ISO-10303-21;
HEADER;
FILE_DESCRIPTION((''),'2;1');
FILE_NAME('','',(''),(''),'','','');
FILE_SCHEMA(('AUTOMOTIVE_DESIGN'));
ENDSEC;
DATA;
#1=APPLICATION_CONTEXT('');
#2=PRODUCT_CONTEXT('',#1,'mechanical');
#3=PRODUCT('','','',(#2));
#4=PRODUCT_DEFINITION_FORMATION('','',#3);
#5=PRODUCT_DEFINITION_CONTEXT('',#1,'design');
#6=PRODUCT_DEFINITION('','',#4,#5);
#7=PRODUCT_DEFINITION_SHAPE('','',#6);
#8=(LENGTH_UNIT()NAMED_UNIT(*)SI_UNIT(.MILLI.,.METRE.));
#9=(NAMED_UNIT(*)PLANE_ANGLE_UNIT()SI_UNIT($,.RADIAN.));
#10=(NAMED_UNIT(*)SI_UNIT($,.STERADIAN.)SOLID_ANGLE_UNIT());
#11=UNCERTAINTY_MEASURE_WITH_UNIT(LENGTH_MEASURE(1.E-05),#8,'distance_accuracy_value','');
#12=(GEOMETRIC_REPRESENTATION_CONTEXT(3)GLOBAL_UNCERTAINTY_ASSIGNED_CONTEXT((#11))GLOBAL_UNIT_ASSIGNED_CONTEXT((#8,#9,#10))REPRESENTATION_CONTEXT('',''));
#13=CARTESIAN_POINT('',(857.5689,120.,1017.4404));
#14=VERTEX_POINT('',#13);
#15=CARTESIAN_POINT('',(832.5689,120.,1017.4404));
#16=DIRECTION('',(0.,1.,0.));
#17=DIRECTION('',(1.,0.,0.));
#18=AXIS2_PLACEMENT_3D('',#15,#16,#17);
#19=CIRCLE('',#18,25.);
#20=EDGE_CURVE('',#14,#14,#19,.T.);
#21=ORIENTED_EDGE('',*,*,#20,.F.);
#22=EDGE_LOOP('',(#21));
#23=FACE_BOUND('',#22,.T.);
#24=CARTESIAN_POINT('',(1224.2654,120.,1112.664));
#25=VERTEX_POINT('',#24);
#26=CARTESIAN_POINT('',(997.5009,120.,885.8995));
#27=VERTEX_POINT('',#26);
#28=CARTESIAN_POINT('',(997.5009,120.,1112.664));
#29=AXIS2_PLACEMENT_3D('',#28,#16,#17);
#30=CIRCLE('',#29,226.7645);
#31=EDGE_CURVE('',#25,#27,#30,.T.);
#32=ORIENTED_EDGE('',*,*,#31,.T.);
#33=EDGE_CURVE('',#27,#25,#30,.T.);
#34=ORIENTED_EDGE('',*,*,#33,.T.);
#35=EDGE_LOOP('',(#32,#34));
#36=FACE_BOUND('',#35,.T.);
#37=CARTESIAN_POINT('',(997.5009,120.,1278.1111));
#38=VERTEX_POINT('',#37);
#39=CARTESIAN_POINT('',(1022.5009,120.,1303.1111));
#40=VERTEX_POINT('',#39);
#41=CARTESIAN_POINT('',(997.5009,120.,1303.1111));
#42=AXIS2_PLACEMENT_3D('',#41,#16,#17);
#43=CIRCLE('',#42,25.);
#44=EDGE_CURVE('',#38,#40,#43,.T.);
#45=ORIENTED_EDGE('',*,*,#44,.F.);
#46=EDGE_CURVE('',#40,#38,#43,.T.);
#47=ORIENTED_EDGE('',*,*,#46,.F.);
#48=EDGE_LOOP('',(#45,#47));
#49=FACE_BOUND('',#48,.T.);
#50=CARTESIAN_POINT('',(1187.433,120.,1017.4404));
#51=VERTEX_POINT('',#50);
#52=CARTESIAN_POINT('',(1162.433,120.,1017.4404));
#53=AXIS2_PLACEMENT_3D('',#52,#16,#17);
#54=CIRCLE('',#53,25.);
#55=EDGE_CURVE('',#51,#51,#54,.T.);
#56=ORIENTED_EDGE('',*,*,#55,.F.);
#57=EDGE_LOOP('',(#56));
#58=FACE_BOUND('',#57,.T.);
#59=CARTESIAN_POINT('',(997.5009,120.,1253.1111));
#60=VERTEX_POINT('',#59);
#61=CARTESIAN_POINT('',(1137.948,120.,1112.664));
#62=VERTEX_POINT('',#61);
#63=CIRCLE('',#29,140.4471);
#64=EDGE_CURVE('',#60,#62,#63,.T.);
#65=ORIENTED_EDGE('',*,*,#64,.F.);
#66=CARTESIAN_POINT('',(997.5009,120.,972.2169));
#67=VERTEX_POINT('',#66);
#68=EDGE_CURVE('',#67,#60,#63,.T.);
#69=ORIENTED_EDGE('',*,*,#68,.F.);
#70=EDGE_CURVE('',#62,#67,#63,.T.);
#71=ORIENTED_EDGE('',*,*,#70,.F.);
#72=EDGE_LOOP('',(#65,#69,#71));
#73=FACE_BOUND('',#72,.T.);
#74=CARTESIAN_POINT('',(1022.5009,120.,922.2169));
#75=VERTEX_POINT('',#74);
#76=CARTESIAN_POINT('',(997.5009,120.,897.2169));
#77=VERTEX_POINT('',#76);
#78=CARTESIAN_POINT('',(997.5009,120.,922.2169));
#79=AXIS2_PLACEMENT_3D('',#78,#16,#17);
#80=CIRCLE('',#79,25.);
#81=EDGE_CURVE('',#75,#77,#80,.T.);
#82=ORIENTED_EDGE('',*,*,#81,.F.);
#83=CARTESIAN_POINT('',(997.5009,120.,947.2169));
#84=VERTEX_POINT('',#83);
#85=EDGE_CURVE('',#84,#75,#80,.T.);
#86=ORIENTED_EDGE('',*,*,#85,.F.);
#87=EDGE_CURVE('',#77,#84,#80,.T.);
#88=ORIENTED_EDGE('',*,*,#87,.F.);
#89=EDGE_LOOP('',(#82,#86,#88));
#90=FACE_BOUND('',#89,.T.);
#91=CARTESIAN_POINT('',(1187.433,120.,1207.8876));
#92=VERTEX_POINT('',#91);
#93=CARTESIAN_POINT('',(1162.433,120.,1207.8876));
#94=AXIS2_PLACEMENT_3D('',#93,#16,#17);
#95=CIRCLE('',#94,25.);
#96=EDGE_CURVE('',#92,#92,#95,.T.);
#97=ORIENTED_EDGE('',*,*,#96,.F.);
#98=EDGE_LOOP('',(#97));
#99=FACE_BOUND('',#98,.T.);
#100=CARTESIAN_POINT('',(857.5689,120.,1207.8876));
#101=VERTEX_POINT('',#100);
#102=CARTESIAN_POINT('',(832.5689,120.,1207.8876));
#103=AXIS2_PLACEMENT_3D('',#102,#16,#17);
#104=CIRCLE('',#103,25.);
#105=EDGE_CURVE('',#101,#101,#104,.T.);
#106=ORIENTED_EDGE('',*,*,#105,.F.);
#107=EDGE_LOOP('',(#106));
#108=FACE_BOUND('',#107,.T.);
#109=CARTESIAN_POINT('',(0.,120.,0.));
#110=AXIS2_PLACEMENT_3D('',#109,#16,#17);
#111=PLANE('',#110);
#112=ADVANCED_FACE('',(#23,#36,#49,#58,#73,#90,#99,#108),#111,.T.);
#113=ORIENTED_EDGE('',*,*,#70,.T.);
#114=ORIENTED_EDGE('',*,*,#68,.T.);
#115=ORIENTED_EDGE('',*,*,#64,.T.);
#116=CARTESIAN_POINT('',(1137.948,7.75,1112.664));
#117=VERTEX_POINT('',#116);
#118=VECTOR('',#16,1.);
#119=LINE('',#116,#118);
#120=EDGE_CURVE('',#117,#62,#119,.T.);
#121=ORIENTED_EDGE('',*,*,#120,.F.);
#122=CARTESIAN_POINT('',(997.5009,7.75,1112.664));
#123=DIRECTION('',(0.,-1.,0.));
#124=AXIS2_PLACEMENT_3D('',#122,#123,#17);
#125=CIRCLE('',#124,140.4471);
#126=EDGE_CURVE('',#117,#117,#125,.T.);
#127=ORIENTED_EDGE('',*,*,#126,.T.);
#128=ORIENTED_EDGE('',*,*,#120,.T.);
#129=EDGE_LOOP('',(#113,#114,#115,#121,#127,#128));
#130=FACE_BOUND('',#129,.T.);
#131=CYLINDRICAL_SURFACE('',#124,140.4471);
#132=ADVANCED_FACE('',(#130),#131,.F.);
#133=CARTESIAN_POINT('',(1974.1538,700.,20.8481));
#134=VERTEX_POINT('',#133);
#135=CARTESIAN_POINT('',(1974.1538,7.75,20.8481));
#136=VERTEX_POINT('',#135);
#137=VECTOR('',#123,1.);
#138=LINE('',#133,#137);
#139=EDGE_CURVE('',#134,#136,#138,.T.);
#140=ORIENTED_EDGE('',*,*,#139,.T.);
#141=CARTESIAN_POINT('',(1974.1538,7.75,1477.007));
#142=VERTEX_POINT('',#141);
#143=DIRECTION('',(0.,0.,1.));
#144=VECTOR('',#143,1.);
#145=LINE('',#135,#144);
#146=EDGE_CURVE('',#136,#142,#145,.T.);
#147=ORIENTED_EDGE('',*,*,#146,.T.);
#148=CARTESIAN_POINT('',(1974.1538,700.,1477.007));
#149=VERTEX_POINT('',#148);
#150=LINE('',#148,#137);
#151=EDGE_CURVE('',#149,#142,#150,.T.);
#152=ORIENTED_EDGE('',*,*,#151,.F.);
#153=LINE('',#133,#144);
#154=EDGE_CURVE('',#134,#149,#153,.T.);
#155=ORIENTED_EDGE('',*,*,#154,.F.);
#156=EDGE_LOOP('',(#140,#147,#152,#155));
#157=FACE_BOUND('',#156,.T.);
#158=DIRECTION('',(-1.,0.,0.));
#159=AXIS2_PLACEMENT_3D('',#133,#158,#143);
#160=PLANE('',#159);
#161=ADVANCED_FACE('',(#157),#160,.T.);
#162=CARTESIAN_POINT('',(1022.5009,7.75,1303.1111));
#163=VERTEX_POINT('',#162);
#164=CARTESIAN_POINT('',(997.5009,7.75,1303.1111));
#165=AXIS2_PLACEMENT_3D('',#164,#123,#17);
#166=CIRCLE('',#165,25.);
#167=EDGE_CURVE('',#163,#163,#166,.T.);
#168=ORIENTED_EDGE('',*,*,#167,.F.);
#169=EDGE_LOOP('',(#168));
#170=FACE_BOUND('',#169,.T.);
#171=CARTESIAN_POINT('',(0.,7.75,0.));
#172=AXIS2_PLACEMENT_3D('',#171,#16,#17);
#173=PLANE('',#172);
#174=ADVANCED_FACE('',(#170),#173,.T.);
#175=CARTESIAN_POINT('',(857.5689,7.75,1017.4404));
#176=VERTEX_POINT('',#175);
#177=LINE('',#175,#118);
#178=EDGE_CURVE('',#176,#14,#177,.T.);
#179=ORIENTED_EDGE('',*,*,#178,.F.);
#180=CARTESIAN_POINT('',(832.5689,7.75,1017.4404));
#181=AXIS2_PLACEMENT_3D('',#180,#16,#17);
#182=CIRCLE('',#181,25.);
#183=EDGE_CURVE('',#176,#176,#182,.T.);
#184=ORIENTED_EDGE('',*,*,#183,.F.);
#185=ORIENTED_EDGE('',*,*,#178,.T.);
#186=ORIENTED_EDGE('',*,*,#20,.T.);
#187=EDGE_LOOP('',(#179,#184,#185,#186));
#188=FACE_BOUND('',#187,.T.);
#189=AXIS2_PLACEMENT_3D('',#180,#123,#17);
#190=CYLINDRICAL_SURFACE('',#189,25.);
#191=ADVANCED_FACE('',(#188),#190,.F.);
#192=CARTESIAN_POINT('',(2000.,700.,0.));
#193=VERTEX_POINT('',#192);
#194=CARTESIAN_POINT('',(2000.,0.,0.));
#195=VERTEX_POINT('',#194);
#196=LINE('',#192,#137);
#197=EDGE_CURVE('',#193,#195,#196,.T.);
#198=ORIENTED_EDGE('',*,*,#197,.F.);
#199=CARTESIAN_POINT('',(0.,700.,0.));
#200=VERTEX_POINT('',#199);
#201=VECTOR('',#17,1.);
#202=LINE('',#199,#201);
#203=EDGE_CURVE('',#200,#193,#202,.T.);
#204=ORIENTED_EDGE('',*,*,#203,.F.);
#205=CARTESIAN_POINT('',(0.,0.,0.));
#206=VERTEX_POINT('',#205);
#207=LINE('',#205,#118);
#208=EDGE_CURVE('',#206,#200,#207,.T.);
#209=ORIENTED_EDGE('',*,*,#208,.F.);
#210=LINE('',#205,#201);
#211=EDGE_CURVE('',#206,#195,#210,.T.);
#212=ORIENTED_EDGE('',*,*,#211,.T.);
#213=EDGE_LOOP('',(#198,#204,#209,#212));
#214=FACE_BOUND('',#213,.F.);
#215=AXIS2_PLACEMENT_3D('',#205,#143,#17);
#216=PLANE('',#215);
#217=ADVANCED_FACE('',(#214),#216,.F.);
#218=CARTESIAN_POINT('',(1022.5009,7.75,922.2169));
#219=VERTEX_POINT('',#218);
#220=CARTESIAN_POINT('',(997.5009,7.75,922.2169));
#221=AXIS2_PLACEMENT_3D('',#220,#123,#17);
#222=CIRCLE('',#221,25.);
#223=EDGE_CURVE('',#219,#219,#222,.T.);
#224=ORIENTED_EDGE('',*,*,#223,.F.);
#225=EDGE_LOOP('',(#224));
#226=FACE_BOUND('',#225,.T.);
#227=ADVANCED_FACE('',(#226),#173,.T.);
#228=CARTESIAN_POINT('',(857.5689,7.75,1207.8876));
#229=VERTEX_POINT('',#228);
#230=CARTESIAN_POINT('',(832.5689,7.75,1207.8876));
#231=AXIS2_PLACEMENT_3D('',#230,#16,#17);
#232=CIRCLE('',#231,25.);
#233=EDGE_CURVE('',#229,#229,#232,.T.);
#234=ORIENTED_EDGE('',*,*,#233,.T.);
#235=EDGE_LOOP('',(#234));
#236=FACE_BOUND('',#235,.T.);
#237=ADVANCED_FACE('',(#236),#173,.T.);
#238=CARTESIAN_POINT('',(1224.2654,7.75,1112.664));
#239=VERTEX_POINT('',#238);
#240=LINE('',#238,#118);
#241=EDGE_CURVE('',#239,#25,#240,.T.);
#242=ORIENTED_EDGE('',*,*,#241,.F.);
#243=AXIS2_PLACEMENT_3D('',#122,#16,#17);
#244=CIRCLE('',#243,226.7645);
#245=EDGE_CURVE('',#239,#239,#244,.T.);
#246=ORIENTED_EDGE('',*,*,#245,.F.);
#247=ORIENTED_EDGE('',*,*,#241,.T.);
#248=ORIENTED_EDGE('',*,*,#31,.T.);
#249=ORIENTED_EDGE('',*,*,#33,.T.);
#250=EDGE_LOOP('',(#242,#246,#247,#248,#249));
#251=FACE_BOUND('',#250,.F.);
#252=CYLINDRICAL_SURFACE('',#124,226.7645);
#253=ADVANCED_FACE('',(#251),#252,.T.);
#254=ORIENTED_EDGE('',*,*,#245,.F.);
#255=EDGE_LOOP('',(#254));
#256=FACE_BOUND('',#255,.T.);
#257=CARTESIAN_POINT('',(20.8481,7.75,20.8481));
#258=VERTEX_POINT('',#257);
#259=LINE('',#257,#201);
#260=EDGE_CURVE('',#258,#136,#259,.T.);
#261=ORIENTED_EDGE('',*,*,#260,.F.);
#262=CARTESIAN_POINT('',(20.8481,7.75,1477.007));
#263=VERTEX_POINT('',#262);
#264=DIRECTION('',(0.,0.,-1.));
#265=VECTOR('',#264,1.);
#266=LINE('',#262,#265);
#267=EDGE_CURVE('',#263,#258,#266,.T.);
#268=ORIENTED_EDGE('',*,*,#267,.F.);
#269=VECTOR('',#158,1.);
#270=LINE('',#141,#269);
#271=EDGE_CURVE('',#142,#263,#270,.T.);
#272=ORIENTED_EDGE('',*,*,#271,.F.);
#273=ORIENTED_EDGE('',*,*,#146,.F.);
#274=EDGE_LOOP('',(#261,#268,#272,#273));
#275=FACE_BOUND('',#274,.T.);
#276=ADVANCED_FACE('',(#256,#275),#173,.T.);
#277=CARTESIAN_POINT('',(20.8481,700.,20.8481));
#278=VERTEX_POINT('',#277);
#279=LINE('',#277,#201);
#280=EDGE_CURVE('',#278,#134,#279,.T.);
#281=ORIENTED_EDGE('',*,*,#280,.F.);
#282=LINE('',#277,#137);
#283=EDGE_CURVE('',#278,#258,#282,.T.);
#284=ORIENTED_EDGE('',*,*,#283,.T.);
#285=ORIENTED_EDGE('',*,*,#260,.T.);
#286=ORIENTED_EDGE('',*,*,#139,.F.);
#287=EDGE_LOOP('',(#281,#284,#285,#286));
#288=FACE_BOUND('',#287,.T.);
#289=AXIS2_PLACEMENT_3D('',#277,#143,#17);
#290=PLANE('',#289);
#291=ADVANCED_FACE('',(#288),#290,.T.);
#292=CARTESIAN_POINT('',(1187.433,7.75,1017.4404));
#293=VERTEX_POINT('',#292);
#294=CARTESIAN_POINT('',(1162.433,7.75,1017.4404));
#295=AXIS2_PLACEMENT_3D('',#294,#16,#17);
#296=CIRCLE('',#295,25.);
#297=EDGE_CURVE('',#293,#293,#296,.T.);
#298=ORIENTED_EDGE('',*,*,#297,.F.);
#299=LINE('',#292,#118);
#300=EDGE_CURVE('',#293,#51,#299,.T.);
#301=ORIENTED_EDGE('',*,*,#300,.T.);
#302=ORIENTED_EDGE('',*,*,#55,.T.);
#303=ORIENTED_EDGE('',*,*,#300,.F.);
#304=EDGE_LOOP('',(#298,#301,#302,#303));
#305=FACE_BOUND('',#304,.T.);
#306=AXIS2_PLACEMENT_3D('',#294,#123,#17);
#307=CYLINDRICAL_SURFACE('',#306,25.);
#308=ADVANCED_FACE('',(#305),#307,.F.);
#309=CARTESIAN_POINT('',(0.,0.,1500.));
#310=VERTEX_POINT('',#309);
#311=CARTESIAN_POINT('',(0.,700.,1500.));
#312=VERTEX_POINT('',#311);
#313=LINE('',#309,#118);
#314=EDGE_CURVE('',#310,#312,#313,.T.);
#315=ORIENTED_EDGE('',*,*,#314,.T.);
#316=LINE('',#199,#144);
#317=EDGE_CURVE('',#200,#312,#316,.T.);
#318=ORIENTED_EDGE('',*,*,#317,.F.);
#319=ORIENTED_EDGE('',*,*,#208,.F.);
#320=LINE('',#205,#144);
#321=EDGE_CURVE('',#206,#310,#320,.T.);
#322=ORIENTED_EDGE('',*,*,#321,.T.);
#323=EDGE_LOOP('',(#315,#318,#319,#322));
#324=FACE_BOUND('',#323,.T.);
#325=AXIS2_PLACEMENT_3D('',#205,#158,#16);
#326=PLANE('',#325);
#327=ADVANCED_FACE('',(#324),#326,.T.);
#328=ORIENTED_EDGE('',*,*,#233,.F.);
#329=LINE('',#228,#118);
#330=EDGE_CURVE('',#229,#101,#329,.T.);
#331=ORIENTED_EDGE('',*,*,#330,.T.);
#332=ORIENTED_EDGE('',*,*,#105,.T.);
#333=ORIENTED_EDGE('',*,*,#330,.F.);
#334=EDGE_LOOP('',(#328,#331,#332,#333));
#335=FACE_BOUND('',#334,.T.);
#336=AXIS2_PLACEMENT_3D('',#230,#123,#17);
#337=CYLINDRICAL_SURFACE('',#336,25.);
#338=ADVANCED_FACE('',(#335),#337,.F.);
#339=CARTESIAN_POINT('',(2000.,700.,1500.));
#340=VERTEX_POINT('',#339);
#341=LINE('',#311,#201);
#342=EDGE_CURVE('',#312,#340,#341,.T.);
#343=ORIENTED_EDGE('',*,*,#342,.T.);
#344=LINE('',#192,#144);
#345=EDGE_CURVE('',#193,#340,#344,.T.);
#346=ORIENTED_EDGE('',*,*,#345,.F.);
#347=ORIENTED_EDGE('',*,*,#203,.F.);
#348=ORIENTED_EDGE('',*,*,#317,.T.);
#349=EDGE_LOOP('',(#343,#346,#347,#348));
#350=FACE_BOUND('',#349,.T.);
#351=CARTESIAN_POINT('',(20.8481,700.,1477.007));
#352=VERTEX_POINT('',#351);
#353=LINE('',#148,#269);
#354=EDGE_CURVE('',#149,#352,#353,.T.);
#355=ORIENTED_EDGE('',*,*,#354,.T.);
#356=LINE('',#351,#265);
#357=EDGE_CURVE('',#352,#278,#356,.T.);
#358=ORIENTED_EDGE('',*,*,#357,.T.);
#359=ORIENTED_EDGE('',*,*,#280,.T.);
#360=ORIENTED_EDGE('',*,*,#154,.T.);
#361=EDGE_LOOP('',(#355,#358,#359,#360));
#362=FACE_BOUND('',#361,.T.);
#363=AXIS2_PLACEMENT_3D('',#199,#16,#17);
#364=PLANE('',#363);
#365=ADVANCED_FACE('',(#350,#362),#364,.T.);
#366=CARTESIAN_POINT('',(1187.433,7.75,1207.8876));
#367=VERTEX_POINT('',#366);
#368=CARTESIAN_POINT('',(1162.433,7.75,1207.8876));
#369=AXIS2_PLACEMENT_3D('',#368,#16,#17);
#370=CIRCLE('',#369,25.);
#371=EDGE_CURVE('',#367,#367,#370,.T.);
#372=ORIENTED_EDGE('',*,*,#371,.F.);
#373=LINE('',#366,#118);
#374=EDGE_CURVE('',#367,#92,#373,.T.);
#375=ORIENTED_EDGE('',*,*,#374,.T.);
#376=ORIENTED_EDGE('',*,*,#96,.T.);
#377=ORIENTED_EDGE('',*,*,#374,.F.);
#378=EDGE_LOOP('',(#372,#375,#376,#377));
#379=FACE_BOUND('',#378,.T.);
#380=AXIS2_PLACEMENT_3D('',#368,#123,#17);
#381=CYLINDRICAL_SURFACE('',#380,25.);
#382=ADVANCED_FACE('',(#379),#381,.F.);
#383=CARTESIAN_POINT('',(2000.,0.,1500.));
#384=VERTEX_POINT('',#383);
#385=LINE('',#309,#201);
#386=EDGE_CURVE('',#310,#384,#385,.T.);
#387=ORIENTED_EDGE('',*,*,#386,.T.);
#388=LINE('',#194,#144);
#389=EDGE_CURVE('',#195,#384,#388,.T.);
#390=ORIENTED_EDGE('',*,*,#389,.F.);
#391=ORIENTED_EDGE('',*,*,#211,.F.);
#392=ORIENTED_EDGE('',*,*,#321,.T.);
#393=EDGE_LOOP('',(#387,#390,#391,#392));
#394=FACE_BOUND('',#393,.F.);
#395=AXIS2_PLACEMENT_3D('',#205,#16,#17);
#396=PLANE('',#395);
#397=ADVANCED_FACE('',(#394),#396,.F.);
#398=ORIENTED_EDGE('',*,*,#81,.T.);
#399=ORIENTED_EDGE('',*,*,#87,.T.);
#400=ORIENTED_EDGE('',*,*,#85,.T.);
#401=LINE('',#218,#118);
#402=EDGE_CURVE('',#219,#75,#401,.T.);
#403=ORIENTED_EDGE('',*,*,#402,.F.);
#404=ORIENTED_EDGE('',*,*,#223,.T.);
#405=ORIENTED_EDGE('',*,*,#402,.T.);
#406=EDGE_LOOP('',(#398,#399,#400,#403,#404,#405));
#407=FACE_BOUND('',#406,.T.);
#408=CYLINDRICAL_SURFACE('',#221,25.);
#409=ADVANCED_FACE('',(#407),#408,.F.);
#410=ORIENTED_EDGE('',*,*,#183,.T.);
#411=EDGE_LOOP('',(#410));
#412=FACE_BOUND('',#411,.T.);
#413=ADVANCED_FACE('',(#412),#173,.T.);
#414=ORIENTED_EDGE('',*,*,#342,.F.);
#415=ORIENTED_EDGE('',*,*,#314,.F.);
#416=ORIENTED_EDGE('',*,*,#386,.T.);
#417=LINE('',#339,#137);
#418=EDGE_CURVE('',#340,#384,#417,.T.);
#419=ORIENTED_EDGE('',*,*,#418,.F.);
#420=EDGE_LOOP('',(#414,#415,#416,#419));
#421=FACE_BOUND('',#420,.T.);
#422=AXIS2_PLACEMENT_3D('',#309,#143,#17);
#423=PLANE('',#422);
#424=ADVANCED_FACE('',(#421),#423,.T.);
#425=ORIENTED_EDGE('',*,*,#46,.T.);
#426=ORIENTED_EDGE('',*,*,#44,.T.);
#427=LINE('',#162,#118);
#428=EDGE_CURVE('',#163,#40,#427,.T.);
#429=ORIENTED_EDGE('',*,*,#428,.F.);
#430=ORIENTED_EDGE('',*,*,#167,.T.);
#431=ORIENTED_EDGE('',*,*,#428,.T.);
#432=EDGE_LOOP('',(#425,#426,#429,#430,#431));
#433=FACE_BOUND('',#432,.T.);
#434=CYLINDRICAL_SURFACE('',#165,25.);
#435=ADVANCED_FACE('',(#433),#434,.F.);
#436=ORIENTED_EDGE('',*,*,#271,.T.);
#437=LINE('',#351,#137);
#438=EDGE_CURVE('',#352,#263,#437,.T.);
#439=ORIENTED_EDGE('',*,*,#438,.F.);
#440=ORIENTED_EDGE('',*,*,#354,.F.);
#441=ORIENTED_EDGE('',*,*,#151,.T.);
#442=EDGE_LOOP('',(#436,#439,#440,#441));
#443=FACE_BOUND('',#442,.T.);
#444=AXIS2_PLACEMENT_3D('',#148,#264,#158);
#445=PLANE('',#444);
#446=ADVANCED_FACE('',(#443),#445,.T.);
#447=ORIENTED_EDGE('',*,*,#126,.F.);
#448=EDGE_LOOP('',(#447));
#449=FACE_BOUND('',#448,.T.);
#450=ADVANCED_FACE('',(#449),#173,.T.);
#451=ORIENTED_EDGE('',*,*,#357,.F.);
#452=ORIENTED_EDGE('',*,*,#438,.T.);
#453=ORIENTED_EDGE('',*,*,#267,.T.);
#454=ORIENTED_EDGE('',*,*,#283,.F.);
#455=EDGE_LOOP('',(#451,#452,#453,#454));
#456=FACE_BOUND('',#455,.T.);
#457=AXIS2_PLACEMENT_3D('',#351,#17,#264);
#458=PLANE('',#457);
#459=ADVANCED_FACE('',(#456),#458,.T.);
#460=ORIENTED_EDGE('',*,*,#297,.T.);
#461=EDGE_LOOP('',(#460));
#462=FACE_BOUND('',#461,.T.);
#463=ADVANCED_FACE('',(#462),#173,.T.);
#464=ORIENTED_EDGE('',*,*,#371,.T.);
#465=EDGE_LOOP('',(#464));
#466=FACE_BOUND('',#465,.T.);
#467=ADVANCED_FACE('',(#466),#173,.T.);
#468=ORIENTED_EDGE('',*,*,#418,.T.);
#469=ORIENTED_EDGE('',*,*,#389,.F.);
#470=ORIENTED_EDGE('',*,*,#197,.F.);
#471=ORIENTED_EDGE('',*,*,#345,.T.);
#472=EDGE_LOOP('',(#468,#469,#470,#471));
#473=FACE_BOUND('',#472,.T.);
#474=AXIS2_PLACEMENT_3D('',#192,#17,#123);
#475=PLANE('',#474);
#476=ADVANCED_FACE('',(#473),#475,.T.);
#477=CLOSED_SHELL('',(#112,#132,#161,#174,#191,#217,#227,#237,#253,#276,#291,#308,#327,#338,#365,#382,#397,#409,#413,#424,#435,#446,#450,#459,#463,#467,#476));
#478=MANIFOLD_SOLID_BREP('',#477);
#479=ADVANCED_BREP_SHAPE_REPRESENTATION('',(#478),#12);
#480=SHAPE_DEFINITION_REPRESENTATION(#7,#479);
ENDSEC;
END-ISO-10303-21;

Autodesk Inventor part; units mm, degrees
ref_plane "YZ Plane" through (0, 0, 0) normal (1, 0, 0) x (0, 1, 0)
ref_plane "XZ Plane" through (0, 0, 0) normal (0, 1, 0) x (-1, 0, 0)
ref_plane "XY Plane" through (0, 0, 0) normal (0, 0, 1) x (1, 0, 0)
sketch "Sketch1" plane through (0, 0, 0) normal (0, 0, 1) x (1, 0, 0)
  line L0 (0, 0) -> (0, 700)
  line L1 (0, 0) -> (2000, 0)
  line L2 (0, 700) -> (2000, 700)
  line L3 (2000, 700) -> (2000, 0)
  line L4 (2000, 0) -> (0, 0)
  line L5 (0, 0) -> (0, 700)
  dimension "d0" = 700
  dimension "d1" = 2000
extrude "Extrusion1" add sketch "Sketch1" along normal blind 1500
sketch "Sketch2" plane through (0, 700, 0) normal (0, 1, 0) x (1, 0, 0)
  line L0 (1974.1538, -1477.007) -> (20.8481, -1477.007)
  line L1 (20.8481, -1477.007) -> (20.8481, -20.8481)
  line L2 (20.8481, -20.8481) -> (1974.1538, -20.8481)
  line L3 (1974.1538, -20.8481) -> (1974.1538, -1477.007)
  point P0 (0, 0)
extrude "Extrusion2" cut sketch "Sketch2" against normal blind 692.25
sketch "Sketch3" plane through (0, 7.75, 0) normal (0, 1, 0) x (1, 0, 0)
  line L0 (1974.1538, -20.8481) -> (1974.1538, -1477.007) projected
  line L1 (20.8481, -20.8481) -> (1974.1538, -20.8481) projected
  line L2 (1974.1538, -1477.007) -> (20.8481, -20.8481)
  line L3 (1974.1538, -1477.007) -> (20.8481, -1477.007) projected
  line L4 (20.8481, -1477.007) -> (1974.1538, -20.8481)
  line L5 (997.5009, -748.9276) -> (997.5009, -1112.664)
  circle A0 centre (997.5009, -1112.664) radius 140.4471
  line L6 (997.5009, -1253.1111) -> (997.5009, -1303.1111)
  circle A1 centre (997.5009, -1303.1111) radius 25
  circle A2 centre (832.5689, -1207.8876) radius 25
  circle A3 centre (832.5689, -1017.4404) radius 25
  circle A4 centre (997.5009, -922.2169) radius 25
  circle A5 centre (1162.433, -1017.4404) radius 25
  circle A6 centre (1162.433, -1207.8876) radius 25
  circle A7 centre (997.5009, -1112.664) radius 226.7645
  circle A8 centre (997.5009, -1112.664) radius 226.7645
  point P0 (0, 0)
  dimension "d9" = 50
  dimension "d11" = 50
  dimension "d14" = 360
extrude "Extrusion3" add sketch "Sketch3" along normal blind 112.25 contours A7
properties part number "Robot Volume and wall" material "Wood (Birch)"
